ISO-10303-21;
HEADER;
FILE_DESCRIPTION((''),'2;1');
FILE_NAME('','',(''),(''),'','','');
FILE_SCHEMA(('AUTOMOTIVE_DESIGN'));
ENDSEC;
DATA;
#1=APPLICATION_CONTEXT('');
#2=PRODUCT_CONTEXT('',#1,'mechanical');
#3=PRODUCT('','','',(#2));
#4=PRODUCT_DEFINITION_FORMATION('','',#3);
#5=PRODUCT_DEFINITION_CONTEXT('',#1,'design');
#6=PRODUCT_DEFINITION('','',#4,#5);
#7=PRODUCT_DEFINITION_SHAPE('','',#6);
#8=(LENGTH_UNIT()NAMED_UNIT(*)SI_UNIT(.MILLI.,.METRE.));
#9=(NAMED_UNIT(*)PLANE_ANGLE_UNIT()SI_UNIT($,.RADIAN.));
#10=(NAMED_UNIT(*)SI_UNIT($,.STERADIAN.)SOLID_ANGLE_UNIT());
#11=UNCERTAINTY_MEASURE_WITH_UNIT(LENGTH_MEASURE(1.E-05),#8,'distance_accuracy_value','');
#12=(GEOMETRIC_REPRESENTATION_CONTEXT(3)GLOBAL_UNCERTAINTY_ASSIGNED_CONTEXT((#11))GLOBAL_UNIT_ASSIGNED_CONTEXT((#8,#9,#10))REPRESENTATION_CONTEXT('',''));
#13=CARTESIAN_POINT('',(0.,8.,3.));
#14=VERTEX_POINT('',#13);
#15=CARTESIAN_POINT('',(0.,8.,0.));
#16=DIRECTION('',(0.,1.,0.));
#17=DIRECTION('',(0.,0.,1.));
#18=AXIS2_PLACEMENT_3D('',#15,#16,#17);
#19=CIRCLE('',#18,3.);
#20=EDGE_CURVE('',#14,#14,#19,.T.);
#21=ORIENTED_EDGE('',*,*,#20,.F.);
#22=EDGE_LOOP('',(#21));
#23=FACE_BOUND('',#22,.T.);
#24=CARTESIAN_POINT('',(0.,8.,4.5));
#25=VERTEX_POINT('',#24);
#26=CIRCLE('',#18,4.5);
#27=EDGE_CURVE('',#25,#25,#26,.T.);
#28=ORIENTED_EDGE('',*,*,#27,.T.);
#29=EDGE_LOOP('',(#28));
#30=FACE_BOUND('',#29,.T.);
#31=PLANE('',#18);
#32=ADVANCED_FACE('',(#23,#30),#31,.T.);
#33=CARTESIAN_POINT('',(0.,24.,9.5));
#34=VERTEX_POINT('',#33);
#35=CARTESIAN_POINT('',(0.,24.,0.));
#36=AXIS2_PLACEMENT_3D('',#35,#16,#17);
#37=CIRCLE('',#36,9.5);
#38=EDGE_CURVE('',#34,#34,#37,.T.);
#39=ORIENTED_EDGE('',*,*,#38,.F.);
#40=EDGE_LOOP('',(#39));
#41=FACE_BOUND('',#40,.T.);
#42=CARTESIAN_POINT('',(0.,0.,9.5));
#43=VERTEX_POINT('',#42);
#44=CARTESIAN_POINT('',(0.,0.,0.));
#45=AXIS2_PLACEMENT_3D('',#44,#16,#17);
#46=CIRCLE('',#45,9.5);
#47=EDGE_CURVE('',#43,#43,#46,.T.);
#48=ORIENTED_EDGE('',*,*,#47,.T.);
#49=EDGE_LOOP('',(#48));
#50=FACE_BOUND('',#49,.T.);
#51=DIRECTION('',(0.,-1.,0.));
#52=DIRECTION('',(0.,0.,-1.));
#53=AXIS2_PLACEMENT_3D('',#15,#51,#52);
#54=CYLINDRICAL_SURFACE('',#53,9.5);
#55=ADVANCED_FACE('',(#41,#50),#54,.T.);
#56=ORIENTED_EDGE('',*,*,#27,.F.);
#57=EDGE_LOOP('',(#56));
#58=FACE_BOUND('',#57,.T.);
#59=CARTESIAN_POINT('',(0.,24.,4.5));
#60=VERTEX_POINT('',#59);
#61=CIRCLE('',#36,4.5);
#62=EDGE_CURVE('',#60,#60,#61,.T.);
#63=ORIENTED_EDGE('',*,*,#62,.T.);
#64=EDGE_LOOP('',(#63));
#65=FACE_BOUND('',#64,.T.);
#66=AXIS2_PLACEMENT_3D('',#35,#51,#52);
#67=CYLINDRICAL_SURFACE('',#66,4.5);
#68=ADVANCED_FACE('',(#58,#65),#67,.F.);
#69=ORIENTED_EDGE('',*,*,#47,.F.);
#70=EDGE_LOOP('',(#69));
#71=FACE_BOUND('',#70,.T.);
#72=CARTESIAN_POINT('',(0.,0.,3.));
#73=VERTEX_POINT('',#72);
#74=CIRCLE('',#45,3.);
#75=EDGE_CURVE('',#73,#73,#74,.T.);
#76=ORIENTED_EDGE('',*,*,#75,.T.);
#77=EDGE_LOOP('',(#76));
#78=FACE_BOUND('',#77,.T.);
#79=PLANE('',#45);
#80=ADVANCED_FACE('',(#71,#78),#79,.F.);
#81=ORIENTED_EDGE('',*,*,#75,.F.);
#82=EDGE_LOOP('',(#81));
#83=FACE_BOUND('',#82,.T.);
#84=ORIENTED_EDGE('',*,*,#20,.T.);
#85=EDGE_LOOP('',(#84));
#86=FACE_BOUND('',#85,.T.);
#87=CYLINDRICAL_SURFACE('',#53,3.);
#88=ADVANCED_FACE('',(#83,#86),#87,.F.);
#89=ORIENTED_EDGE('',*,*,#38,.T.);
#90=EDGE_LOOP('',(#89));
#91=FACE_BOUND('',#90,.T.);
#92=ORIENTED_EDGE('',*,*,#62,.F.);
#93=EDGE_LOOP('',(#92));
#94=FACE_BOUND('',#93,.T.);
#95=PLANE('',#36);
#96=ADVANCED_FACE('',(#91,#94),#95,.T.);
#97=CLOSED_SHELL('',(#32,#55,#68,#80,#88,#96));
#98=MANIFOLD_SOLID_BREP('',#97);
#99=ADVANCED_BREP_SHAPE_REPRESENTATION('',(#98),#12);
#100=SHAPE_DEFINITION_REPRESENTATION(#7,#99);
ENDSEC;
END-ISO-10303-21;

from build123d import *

# Parameters (mm, degrees)
SKETCH1_R           = 9.5
SKETCH1_R_2         = 3
BOSS_EXTRUDE1_DEPTH = 8
SKETCH2_R           = 9.5
SKETCH2_R_2         = 4.5
BOSS_EXTRUDE2_DEPTH = 16


with BuildPart() as part:
    # Sketch1 → Boss-Extrude1 (new body)
    with BuildSketch(Plane(origin=(0, 0, 0), x_dir=(1, 0, 0), z_dir=(0, 1, 0))):
        with Locations(Location((0, 0, 0), (0, 0, 270))):
            Circle(SKETCH1_R)
        with Locations(Location((0, 0, 0), (0, 0, 270))):
            Circle(SKETCH1_R_2, mode=Mode.SUBTRACT)
    extrude(amount=BOSS_EXTRUDE1_DEPTH)

    # Sketch2 → Boss-Extrude2 (add)
    with BuildSketch(Plane(origin=(0, 8, 0), x_dir=(1, 0, 0), z_dir=(0, 1, 0))):
        with Locations(Location((0, 0, 0), (0, 0, 270))):
            Circle(SKETCH2_R)
        with Locations(Location((0, 0, 0), (0, 0, 270))):
            Circle(SKETCH2_R_2, mode=Mode.SUBTRACT)
    extrude(amount=BOSS_EXTRUDE2_DEPTH)


solid = part.part
